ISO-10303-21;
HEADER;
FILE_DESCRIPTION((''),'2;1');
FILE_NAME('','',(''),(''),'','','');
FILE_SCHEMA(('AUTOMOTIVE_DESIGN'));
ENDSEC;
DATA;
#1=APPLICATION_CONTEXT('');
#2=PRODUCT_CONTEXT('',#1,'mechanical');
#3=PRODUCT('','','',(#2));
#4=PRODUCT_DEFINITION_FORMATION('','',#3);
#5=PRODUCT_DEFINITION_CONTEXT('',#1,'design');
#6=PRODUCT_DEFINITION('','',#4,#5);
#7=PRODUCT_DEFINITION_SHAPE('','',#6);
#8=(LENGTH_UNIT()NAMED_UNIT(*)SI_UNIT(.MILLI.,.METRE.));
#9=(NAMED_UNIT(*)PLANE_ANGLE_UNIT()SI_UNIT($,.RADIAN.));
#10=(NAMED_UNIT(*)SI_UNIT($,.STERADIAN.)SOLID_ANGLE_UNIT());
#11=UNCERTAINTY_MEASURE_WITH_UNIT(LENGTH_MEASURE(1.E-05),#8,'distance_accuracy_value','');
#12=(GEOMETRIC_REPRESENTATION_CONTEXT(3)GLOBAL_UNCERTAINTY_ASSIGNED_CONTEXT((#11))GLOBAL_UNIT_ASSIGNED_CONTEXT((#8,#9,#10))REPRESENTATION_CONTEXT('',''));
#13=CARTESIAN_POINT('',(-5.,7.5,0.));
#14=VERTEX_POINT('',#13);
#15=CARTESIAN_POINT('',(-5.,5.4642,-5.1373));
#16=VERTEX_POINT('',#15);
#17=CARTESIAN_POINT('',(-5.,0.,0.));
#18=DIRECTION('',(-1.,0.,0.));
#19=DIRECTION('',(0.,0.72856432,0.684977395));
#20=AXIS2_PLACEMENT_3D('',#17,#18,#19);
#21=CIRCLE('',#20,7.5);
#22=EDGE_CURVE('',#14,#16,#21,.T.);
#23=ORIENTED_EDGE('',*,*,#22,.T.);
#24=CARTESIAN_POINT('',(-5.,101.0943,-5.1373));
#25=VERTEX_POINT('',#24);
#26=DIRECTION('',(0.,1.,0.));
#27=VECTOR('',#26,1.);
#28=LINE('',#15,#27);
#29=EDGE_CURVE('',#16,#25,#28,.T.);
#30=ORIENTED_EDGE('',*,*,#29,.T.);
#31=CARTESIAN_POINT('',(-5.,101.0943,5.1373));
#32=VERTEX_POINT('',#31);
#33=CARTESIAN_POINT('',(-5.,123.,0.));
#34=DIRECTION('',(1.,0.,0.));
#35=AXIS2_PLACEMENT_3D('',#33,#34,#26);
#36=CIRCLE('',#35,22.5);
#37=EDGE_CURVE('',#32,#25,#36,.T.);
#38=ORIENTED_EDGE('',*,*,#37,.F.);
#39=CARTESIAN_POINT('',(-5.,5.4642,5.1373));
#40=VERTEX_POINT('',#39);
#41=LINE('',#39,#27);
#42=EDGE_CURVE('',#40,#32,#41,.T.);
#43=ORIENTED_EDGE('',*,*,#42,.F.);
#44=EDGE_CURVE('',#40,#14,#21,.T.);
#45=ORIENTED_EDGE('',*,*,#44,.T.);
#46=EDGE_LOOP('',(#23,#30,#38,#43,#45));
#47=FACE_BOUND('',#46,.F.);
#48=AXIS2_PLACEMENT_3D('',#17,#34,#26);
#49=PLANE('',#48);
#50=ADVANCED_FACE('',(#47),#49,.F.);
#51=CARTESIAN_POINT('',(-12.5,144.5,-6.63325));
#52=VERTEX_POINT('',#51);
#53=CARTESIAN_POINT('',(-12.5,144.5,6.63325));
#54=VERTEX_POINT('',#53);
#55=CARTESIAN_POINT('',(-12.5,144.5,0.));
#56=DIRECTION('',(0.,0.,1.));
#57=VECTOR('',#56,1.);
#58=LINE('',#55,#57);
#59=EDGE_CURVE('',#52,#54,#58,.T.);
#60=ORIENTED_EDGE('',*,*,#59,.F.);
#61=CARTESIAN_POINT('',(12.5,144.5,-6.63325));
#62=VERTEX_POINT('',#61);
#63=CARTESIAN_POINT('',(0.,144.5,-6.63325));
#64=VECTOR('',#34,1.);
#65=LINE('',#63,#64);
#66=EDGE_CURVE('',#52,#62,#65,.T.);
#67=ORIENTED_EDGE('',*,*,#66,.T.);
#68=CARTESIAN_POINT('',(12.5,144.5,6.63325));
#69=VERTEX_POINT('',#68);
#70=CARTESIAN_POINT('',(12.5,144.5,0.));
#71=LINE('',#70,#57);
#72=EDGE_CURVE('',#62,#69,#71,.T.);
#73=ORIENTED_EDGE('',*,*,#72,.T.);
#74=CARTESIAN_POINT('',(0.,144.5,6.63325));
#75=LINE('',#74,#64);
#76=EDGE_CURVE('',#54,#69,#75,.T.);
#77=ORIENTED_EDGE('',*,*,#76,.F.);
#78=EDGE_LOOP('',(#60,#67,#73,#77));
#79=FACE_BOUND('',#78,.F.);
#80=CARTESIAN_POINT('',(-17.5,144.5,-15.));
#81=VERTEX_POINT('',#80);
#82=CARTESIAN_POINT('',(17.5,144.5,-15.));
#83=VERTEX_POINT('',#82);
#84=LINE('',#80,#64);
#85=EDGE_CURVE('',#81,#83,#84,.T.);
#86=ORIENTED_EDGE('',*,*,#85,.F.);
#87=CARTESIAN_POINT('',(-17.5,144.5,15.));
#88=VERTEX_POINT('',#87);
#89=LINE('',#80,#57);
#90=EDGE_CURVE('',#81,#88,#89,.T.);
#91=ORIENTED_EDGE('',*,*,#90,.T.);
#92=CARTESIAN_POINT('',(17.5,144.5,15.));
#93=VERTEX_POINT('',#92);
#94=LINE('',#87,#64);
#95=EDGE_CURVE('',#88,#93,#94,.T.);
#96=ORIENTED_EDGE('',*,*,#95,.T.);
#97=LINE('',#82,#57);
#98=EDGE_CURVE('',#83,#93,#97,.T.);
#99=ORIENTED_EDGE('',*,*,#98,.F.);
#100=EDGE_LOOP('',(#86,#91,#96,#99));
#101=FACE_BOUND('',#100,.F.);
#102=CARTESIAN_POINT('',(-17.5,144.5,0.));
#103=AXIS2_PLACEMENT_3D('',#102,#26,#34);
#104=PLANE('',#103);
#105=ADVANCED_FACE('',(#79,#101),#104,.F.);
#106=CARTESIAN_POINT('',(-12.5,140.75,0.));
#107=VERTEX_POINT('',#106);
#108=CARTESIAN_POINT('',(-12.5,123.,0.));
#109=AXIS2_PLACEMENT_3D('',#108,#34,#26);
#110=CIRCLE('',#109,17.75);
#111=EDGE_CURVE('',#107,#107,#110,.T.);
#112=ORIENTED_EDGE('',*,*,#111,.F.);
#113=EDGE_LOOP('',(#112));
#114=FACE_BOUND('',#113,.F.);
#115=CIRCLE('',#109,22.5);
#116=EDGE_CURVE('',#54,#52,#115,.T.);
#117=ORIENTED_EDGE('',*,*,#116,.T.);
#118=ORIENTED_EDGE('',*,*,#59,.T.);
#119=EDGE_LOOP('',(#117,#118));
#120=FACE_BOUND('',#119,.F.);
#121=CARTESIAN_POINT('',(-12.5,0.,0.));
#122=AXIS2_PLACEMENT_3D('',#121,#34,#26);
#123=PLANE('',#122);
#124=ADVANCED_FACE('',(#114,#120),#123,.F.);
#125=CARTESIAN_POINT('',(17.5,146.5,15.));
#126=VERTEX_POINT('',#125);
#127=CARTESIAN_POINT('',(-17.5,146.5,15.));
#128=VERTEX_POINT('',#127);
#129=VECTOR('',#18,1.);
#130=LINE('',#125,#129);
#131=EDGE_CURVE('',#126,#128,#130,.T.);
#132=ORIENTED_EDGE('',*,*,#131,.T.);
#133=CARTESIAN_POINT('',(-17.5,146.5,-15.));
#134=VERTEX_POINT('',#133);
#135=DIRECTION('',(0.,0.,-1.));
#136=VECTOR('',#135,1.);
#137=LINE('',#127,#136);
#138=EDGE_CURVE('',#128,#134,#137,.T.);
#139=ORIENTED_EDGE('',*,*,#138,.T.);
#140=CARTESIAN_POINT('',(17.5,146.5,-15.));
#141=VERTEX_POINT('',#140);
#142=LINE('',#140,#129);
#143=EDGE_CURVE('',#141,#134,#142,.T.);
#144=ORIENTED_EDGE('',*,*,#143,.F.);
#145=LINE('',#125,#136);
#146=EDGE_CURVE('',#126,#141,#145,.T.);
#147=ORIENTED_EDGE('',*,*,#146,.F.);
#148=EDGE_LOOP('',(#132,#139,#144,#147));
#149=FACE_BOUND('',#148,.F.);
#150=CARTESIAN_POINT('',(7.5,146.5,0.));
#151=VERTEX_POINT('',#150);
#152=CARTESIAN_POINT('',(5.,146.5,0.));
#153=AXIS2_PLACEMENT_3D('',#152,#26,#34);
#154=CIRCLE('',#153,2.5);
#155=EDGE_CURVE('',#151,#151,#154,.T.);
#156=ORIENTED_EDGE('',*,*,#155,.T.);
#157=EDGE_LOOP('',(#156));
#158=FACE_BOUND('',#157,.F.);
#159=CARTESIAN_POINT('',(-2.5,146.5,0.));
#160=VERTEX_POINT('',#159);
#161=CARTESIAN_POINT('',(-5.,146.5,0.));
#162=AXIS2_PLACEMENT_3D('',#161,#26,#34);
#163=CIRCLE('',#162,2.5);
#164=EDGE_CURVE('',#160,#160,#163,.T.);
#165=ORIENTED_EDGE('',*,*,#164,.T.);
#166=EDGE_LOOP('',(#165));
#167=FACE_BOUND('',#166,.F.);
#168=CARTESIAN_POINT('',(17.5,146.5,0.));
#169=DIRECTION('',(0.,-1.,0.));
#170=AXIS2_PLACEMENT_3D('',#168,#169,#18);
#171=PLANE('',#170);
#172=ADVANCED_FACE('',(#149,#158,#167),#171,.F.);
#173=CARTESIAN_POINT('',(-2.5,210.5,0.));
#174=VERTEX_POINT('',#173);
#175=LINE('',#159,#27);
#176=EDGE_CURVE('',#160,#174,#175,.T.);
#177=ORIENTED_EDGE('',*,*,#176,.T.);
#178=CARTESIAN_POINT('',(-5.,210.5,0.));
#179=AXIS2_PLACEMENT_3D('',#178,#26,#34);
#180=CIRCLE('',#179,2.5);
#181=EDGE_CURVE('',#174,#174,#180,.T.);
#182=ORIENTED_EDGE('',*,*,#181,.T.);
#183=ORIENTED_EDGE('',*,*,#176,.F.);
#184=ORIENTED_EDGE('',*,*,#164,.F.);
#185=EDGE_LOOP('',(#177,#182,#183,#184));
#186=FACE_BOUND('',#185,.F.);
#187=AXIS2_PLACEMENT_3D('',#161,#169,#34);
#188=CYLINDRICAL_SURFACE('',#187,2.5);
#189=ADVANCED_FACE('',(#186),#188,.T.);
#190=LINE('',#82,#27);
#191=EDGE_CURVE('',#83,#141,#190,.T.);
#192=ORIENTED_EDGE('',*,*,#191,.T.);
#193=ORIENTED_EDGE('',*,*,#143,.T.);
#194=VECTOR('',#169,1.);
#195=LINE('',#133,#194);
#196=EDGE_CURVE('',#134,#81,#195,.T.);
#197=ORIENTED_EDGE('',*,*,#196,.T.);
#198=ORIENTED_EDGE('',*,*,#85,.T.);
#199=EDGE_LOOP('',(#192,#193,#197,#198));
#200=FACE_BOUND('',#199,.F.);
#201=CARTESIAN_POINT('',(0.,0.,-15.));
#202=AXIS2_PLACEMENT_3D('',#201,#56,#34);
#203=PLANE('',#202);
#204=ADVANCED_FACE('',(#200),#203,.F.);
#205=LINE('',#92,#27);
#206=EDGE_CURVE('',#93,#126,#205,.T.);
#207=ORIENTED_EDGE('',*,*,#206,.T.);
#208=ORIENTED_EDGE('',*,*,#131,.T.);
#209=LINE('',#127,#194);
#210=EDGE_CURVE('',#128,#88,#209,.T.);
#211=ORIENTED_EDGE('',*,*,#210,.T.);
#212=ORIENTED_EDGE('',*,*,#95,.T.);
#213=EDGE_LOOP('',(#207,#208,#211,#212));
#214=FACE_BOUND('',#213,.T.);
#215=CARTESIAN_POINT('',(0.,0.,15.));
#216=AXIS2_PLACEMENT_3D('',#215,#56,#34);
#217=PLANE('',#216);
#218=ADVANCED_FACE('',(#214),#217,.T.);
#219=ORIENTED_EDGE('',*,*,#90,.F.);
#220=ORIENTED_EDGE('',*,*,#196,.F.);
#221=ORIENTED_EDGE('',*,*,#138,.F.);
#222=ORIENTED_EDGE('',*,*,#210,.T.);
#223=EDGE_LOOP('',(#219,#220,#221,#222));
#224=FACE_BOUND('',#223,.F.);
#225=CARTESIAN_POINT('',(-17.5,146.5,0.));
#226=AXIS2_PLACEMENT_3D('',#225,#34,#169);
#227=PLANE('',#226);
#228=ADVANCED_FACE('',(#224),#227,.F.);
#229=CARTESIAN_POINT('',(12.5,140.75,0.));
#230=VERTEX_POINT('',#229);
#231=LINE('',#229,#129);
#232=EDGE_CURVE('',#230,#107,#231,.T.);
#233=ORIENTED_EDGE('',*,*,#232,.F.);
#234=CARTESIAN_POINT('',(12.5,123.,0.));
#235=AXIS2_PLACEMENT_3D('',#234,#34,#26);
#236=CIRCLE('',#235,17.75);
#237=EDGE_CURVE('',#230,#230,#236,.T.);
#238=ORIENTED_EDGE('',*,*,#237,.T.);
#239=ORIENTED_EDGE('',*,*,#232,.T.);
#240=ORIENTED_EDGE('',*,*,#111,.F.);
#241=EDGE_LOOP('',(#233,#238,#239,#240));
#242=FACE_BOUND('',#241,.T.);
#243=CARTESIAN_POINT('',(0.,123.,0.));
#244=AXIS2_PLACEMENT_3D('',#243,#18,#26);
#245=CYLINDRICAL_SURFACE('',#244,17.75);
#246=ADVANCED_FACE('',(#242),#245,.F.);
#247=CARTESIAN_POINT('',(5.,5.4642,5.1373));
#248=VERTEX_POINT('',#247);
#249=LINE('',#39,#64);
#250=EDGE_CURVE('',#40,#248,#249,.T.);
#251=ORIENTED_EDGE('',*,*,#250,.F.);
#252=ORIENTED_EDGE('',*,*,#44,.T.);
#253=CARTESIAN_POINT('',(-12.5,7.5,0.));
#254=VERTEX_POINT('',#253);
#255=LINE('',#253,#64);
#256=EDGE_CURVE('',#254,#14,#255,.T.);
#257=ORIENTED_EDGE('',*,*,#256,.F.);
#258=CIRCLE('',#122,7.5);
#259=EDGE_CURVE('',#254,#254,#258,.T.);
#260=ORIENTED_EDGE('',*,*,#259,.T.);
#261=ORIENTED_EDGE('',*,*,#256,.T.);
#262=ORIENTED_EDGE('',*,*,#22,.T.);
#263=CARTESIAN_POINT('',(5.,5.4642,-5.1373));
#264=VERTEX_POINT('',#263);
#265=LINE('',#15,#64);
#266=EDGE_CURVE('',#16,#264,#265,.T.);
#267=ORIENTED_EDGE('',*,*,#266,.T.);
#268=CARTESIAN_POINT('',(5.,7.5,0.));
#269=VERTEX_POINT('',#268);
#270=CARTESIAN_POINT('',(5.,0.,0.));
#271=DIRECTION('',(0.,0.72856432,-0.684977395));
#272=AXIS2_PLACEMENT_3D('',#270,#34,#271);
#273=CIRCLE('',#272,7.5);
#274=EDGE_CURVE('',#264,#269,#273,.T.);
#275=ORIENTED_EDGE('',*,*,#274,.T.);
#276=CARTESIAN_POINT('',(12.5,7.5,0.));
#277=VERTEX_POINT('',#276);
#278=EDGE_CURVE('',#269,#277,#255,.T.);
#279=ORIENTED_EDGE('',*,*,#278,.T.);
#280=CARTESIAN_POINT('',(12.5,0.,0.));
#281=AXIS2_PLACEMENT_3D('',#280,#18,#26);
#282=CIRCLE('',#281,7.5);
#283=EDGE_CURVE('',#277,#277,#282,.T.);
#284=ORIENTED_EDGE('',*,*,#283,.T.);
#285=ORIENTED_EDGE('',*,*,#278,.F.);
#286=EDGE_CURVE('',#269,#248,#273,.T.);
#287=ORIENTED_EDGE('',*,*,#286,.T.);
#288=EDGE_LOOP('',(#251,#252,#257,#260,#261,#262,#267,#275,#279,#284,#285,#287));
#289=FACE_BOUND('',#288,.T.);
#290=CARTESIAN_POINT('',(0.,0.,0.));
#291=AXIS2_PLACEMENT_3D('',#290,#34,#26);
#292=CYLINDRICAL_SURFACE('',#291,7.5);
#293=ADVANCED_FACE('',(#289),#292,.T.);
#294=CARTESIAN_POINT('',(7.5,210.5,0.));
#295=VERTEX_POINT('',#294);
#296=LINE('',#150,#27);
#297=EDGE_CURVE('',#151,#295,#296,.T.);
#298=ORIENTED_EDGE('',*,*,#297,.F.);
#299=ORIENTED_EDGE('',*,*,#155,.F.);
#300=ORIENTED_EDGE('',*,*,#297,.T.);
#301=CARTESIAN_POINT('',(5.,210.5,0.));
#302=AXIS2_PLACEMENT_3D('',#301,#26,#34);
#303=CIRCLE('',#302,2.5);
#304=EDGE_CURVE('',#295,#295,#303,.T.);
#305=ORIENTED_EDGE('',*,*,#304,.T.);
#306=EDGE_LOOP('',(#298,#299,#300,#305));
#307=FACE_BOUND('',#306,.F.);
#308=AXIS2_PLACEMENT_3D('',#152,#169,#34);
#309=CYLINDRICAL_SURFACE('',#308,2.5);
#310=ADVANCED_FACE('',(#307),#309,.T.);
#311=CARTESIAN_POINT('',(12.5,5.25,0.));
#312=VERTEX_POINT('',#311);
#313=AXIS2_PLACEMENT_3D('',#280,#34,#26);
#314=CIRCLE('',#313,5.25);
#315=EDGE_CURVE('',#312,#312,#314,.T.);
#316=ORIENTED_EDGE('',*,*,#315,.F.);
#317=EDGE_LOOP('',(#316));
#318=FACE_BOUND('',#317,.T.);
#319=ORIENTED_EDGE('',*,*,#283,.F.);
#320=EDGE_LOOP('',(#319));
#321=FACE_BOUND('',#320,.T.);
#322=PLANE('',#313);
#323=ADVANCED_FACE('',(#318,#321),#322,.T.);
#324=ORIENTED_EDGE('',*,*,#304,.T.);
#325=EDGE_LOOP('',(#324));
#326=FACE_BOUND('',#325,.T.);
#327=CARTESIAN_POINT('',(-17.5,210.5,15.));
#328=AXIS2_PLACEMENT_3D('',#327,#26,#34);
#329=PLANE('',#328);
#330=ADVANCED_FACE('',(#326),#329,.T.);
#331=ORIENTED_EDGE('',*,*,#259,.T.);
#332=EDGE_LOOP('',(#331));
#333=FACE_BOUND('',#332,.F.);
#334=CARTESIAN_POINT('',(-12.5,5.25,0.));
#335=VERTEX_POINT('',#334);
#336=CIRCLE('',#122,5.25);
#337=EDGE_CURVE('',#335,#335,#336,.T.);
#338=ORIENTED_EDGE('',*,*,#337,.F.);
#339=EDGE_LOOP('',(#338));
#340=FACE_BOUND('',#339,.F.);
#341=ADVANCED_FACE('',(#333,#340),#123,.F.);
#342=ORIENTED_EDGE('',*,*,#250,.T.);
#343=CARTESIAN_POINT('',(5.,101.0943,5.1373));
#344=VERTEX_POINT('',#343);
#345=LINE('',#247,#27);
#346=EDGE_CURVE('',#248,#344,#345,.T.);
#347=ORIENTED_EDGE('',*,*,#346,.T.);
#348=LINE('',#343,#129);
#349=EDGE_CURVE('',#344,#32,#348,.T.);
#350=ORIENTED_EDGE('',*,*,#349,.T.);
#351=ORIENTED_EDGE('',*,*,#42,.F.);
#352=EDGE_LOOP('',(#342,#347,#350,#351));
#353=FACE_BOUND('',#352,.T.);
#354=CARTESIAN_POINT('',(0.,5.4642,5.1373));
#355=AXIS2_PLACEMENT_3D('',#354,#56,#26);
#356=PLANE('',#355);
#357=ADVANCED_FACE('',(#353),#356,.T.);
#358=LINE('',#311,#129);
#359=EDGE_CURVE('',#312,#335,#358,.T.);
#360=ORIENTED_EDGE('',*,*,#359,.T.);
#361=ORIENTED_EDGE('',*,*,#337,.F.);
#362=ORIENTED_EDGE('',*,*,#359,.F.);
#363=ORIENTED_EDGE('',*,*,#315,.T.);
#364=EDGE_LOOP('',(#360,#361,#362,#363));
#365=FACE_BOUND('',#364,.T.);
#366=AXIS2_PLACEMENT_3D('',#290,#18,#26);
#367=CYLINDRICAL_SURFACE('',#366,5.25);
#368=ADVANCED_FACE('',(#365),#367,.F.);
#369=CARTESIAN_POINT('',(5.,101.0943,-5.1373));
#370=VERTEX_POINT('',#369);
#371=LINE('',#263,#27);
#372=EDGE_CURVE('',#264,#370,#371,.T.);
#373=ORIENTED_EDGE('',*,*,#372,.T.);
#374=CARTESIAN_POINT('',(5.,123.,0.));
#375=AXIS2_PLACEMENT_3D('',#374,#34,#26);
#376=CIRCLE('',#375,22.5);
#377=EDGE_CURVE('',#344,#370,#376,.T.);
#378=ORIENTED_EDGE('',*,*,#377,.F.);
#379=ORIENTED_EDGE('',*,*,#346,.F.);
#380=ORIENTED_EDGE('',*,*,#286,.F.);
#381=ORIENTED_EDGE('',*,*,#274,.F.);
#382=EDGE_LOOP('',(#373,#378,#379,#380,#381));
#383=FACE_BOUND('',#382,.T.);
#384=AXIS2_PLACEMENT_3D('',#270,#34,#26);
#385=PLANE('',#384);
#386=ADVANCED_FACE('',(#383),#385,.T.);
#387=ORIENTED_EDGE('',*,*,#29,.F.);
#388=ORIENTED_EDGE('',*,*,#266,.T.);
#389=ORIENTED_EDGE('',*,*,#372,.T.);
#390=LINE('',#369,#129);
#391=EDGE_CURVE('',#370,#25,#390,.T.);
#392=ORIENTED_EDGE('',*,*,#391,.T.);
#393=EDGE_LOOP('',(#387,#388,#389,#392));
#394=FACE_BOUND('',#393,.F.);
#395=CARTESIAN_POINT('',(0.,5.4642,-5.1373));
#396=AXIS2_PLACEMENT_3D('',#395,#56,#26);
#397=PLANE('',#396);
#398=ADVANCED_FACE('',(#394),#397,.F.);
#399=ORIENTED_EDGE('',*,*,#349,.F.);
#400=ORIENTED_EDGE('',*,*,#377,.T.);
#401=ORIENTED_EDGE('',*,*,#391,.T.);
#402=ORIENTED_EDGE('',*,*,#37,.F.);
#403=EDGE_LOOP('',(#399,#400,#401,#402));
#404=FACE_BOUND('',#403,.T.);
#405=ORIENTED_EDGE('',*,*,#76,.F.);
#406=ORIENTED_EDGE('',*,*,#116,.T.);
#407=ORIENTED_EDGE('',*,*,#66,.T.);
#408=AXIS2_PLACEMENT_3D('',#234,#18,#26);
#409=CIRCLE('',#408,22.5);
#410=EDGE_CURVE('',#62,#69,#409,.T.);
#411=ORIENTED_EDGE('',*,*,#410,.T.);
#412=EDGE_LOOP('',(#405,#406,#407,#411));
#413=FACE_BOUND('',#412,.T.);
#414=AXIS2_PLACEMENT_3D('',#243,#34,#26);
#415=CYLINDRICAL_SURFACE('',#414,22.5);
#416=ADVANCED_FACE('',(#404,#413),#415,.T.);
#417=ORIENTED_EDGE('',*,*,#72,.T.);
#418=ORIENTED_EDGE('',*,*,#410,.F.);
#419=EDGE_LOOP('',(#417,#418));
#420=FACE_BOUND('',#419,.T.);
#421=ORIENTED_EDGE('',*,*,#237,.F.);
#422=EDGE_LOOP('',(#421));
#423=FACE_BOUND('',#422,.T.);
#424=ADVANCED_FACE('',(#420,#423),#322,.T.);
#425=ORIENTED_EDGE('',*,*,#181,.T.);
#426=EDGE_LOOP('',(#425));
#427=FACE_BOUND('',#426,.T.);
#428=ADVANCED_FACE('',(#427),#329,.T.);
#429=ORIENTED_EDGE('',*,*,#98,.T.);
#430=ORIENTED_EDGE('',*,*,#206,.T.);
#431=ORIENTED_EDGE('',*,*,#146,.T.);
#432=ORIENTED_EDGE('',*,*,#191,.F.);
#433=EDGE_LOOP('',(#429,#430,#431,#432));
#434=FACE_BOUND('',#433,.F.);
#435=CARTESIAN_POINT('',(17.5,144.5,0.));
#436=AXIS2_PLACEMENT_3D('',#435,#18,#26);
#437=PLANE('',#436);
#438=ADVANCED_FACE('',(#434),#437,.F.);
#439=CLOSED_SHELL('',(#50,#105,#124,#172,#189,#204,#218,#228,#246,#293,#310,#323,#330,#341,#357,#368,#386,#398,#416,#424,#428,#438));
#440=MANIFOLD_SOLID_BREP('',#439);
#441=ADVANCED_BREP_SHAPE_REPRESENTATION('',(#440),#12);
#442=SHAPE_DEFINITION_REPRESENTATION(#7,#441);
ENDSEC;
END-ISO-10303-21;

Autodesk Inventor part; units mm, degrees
ref_plane "YZ Plane" through (0, 0, 0) normal (1, 0, 0) x (0, 1, 0)
ref_plane "XZ Plane" through (0, 0, 0) normal (0, 1, 0) x (-1, 0, 0)
ref_plane "XY Plane" through (0, 0, 0) normal (0, 0, 1) x (1, 0, 0)
sketch "Sketch1" plane through (0, 0, 0) normal (1, 0, 0) x (0, 1, 0)
  circle A0 centre (0, 0) radius 5.25
  line L0 (0, 0) -> (16.2396, 0) construction
  line L1 (5.4642, 5.1373) -> (101.0943, 5.1373)
  line L2 (5.4642, -5.1373) -> (101.0943, -5.1373)
  circle A1 centre (123, 0) radius 22.5
  circle A2 centre (123, 0) radius 17.75
  circle A3 centre (0, 0) radius 7.5
  dimension "d20" = 15
  dimension "d0" = 10.5
  dimension "d14" = 45
  dimension "d16" = 35.5
  dimension "d17" = 123
extrude "Extrusion1" add sketch "Sketch1" along normal mid plane 25 contours A3 | A1
extrude "Extrusion2" add sketch "Sketch1" along normal mid plane 10 contours L1 A1 L2 A3
sketch "Sketch2" plane through (0, 0, 0) normal (0, 0, 1) x (1, 0, 0)
  line L0 (-12.5, 145.5) -> (12.5, 145.5) projected
  line L1 (0, 113.4787) -> (0, 177.5213) construction
  line L2 (-17.5, 144.5) -> (17.5, 144.5)
  line L3 (17.5, 144.5) -> (17.5, 146.5)
  line L4 (17.5, 146.5) -> (-17.5, 146.5)
  line L5 (-17.5, 146.5) -> (-17.5, 144.5)
  point P0 (0, 0)
  point P1 (0, 145.5)
  point P2 (0, 146.5)
  dimension "d21" = 1
  dimension "d22" = 2
  dimension "d23" = 35
extrude "Extrusion3" add sketch "Sketch2" along normal mid plane 30
sketch "Sketch3" plane through (-17.5, 146.5, 15) normal (0, 1, 0) x (1, 0, 0)
  circle A0 centre (22.5, 15) radius 2.5
  circle A1 centre (12.5, 15) radius 2.5
  line L0 (17.5, -7.5) -> (17.5, 37.5) construction
  line L1 (5, 37.5) -> (30, 37.5) projected
  point P0 (17.5, 15)
  dimension "d26" = 5
  dimension "d27" = 5
  dimension "d28" = 5
  dimension "d29" = 5
extrude "Extrusion4" add sketch "Sketch3" along normal blind 64
properties part number "guide"
